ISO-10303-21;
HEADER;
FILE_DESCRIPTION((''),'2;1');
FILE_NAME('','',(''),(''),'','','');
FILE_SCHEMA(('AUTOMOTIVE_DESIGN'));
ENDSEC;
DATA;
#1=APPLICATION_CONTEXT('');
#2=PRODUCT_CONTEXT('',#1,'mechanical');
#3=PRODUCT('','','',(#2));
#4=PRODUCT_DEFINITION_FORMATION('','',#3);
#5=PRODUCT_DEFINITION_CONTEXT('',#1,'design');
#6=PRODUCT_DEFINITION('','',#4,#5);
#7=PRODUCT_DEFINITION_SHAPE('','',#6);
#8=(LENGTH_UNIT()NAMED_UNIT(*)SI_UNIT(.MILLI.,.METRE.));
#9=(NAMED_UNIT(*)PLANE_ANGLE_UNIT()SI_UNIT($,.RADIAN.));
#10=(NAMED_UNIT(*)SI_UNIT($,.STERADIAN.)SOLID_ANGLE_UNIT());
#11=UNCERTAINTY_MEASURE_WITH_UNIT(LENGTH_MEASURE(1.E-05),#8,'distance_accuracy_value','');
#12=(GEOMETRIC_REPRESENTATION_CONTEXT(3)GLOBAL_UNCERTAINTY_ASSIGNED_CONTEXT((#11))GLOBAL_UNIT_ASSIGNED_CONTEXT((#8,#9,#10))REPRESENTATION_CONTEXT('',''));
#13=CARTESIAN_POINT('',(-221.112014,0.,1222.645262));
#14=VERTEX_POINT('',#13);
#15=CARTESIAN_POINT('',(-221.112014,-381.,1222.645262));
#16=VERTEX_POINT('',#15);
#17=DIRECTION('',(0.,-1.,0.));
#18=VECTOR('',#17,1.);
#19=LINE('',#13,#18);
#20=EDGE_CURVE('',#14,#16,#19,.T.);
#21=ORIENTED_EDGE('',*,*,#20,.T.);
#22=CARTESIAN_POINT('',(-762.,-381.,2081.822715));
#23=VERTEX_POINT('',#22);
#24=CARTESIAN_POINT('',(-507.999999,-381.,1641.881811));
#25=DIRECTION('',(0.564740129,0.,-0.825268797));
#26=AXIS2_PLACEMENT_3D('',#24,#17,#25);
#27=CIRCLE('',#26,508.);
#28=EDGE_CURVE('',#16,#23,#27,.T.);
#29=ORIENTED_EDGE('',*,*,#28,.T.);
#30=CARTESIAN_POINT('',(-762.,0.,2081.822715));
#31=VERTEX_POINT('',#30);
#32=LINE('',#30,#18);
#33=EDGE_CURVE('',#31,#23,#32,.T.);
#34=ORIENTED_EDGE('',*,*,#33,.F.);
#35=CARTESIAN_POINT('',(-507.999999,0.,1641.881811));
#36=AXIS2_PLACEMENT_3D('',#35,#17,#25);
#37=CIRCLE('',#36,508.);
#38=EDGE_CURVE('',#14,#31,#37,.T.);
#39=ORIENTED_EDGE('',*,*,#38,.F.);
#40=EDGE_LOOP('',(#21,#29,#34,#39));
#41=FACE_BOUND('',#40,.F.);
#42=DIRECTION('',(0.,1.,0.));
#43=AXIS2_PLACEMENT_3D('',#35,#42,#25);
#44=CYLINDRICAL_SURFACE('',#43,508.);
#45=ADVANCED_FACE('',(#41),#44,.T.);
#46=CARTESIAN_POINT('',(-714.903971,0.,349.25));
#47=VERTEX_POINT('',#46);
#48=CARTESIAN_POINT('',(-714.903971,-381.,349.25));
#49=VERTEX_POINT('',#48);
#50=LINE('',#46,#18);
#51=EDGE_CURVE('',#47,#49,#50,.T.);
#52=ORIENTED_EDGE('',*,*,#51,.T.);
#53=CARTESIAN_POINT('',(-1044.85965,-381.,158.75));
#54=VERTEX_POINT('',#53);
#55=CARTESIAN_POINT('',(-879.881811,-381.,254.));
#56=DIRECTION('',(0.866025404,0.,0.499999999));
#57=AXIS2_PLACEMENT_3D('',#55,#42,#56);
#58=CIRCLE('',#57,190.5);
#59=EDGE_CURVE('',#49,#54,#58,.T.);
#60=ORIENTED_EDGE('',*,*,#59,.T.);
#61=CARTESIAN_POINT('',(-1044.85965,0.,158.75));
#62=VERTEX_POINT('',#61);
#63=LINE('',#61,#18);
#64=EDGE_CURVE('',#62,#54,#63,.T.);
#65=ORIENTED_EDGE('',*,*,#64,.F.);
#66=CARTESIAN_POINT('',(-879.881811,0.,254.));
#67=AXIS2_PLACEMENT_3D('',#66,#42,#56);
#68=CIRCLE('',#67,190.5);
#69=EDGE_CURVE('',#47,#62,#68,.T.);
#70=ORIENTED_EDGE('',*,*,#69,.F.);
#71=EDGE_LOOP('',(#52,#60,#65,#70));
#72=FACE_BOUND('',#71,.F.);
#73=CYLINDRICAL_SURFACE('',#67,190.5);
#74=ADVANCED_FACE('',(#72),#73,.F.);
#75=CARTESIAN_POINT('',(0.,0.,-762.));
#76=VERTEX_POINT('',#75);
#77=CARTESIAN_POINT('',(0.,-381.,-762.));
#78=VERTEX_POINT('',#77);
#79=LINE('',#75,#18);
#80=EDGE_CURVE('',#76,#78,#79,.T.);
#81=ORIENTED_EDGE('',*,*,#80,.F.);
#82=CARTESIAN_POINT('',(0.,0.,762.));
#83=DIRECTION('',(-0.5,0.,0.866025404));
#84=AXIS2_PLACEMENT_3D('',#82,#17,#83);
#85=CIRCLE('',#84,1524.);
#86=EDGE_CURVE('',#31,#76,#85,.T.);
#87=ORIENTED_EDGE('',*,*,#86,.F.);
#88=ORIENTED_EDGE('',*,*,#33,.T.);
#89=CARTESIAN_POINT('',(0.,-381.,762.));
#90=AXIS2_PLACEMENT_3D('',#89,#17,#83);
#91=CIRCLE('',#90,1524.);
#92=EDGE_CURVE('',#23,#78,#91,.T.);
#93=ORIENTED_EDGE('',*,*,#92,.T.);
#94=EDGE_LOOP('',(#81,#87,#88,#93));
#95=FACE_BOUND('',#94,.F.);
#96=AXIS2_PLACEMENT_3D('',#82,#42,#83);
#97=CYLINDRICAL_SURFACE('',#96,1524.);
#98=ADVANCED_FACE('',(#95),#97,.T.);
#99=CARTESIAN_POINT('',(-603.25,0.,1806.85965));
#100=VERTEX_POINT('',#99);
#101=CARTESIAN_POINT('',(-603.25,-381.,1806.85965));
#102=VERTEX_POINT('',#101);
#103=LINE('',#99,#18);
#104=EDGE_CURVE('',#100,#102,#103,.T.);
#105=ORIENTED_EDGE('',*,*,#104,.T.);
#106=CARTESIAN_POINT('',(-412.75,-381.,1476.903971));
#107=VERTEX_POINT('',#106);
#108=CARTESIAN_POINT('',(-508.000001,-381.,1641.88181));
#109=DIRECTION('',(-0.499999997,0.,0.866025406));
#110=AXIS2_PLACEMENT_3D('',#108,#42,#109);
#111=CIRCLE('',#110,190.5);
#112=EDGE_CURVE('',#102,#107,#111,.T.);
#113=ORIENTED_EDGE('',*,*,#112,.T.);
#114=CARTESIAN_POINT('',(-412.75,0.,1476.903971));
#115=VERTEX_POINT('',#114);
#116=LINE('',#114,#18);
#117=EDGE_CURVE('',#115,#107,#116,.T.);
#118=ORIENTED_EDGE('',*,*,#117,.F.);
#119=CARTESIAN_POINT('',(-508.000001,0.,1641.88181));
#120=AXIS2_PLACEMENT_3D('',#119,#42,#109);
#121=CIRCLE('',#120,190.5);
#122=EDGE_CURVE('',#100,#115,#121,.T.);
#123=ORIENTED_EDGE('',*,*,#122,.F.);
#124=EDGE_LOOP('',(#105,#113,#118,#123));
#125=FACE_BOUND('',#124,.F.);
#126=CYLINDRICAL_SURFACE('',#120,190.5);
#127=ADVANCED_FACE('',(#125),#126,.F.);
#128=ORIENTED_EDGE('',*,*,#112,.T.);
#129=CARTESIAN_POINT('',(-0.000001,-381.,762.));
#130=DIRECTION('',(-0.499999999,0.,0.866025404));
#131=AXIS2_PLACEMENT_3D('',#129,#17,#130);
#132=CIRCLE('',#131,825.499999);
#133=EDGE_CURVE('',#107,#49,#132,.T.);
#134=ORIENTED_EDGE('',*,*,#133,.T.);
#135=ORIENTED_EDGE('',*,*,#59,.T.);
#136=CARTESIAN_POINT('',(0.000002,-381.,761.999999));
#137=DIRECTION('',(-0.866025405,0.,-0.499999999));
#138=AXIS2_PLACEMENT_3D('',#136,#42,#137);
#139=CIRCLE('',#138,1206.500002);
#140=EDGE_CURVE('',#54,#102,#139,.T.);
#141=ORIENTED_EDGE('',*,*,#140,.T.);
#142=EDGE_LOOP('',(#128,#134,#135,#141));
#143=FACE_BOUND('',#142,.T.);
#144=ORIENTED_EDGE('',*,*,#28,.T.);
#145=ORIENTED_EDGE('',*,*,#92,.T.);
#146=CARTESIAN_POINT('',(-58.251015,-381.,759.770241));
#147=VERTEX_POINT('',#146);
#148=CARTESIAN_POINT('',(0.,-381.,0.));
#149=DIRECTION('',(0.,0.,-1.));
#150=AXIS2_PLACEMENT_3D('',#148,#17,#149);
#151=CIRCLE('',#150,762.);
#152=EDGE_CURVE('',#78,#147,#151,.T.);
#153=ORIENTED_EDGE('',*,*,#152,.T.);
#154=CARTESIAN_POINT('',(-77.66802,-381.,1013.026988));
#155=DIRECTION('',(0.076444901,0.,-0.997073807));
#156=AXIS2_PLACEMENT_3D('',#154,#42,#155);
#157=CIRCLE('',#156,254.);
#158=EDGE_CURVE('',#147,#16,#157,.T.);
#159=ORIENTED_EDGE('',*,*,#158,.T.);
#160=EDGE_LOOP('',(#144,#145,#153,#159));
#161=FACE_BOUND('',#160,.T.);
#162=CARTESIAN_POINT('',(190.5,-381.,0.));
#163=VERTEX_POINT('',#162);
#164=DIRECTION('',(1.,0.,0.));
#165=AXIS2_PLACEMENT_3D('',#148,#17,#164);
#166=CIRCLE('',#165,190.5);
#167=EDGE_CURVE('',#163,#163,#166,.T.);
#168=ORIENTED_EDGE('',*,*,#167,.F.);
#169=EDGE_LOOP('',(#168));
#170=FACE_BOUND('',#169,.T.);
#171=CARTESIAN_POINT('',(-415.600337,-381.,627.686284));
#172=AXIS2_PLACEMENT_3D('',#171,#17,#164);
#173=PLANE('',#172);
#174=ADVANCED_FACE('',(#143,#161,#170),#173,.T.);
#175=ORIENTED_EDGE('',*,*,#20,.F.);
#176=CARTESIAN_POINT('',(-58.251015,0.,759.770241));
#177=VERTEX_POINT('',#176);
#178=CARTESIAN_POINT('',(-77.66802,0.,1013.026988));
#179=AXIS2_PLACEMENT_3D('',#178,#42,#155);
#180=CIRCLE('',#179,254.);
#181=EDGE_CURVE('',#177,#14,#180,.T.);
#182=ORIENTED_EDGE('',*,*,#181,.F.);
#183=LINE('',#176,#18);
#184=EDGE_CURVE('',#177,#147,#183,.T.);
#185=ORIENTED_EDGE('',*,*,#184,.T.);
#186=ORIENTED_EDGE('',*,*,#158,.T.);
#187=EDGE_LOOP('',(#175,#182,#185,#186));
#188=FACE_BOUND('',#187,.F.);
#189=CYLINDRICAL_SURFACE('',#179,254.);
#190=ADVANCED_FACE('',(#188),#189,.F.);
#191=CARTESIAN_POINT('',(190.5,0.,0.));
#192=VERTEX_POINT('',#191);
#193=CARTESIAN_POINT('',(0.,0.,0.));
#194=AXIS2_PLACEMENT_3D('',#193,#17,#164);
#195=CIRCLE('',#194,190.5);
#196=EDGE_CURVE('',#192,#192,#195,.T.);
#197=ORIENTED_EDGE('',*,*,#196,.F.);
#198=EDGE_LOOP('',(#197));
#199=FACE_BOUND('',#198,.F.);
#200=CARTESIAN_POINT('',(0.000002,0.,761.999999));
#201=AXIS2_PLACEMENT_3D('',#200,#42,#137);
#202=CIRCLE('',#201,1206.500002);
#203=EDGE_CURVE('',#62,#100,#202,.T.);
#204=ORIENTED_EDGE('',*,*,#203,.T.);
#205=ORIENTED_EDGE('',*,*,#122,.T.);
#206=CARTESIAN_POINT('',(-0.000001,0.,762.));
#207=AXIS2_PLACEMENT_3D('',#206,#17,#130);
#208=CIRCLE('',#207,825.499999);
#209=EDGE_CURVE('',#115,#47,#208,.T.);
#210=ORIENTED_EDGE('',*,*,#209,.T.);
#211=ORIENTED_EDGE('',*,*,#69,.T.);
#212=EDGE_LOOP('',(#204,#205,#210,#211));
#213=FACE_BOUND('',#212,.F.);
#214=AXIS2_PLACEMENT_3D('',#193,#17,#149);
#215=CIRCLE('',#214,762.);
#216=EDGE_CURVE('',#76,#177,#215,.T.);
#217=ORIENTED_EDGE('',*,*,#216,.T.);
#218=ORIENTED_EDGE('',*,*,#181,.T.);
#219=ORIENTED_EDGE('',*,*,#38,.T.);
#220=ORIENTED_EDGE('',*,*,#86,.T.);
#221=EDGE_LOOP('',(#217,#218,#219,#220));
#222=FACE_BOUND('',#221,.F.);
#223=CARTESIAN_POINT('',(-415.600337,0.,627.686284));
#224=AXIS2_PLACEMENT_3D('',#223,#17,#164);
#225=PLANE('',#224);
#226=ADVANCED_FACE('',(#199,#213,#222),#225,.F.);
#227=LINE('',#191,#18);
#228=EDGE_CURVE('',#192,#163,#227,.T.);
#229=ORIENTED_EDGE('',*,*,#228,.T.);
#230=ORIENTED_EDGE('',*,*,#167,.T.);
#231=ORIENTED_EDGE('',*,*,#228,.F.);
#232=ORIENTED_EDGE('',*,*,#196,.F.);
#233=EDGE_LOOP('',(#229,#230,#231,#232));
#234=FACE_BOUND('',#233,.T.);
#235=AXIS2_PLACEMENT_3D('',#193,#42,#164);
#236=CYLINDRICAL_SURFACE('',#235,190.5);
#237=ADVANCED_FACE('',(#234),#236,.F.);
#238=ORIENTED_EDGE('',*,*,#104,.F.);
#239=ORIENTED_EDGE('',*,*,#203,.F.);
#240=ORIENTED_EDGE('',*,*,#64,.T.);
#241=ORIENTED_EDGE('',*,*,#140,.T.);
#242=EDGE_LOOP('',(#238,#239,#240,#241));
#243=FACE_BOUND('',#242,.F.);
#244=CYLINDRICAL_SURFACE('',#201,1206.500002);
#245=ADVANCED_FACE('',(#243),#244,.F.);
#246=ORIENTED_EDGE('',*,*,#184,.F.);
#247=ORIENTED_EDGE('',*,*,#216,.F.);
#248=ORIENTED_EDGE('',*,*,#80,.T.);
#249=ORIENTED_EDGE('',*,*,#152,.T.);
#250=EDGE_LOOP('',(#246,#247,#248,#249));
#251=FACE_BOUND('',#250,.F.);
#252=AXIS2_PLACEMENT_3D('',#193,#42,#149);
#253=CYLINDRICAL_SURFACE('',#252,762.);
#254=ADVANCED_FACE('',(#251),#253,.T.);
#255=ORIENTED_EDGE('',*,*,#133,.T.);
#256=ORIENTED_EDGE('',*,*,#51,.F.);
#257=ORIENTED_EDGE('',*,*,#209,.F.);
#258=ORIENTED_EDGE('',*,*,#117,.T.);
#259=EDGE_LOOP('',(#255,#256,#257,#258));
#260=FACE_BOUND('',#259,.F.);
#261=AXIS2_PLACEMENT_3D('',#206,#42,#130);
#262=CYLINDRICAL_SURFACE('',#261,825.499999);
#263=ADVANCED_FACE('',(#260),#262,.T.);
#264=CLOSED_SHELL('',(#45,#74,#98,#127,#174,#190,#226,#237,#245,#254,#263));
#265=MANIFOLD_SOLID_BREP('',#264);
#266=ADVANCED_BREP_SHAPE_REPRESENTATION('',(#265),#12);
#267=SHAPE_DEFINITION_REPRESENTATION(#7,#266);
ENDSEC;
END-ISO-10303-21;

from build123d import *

# Parameters (mm, degrees)
F0_R     = 190.5
F1_DEPTH = 381


with BuildPart() as f1:
    # F0 (on Front) → F1 (new body)
    with BuildSketch(Plane.XZ):
        with BuildLine():
            ThreePointArc((-221.112014, 1222.645262), (-78.096663, 1912.523864), (-762, 2081.822715))
            ThreePointArc((-762, 2081.822715), (-1472.070959, 367.559775), (0, -762))
            ThreePointArc((0, -762), (761.442356, 29.146838), (-58.251015, 759.770241))
            ThreePointArc((-58.251015, 759.770241), (-317.269762, 928.723932), (-221.112014, 1222.645262))
        make_face()
        Circle(F0_R, mode=Mode.SUBTRACT)
        with BuildLine():
            ThreePointArc((-603.25, 1806.85965), (-343.022161, 1737.13181), (-412.75, 1476.903971))
            ThreePointArc((-412.75, 1476.903971), (-797.37177, 975.655122), (-714.903971, 349.25))
            ThreePointArc((-714.903971, 349.25), (-784.63181, 89.022161), (-1044.85965, 158.75))
            ThreePointArc((-1044.85965, 158.75), (-1165.389509, 1074.265178), (-603.25, 1806.85965))
        make_face(mode=Mode.SUBTRACT)
    extrude(amount=F1_DEPTH)


solid = f1.part
